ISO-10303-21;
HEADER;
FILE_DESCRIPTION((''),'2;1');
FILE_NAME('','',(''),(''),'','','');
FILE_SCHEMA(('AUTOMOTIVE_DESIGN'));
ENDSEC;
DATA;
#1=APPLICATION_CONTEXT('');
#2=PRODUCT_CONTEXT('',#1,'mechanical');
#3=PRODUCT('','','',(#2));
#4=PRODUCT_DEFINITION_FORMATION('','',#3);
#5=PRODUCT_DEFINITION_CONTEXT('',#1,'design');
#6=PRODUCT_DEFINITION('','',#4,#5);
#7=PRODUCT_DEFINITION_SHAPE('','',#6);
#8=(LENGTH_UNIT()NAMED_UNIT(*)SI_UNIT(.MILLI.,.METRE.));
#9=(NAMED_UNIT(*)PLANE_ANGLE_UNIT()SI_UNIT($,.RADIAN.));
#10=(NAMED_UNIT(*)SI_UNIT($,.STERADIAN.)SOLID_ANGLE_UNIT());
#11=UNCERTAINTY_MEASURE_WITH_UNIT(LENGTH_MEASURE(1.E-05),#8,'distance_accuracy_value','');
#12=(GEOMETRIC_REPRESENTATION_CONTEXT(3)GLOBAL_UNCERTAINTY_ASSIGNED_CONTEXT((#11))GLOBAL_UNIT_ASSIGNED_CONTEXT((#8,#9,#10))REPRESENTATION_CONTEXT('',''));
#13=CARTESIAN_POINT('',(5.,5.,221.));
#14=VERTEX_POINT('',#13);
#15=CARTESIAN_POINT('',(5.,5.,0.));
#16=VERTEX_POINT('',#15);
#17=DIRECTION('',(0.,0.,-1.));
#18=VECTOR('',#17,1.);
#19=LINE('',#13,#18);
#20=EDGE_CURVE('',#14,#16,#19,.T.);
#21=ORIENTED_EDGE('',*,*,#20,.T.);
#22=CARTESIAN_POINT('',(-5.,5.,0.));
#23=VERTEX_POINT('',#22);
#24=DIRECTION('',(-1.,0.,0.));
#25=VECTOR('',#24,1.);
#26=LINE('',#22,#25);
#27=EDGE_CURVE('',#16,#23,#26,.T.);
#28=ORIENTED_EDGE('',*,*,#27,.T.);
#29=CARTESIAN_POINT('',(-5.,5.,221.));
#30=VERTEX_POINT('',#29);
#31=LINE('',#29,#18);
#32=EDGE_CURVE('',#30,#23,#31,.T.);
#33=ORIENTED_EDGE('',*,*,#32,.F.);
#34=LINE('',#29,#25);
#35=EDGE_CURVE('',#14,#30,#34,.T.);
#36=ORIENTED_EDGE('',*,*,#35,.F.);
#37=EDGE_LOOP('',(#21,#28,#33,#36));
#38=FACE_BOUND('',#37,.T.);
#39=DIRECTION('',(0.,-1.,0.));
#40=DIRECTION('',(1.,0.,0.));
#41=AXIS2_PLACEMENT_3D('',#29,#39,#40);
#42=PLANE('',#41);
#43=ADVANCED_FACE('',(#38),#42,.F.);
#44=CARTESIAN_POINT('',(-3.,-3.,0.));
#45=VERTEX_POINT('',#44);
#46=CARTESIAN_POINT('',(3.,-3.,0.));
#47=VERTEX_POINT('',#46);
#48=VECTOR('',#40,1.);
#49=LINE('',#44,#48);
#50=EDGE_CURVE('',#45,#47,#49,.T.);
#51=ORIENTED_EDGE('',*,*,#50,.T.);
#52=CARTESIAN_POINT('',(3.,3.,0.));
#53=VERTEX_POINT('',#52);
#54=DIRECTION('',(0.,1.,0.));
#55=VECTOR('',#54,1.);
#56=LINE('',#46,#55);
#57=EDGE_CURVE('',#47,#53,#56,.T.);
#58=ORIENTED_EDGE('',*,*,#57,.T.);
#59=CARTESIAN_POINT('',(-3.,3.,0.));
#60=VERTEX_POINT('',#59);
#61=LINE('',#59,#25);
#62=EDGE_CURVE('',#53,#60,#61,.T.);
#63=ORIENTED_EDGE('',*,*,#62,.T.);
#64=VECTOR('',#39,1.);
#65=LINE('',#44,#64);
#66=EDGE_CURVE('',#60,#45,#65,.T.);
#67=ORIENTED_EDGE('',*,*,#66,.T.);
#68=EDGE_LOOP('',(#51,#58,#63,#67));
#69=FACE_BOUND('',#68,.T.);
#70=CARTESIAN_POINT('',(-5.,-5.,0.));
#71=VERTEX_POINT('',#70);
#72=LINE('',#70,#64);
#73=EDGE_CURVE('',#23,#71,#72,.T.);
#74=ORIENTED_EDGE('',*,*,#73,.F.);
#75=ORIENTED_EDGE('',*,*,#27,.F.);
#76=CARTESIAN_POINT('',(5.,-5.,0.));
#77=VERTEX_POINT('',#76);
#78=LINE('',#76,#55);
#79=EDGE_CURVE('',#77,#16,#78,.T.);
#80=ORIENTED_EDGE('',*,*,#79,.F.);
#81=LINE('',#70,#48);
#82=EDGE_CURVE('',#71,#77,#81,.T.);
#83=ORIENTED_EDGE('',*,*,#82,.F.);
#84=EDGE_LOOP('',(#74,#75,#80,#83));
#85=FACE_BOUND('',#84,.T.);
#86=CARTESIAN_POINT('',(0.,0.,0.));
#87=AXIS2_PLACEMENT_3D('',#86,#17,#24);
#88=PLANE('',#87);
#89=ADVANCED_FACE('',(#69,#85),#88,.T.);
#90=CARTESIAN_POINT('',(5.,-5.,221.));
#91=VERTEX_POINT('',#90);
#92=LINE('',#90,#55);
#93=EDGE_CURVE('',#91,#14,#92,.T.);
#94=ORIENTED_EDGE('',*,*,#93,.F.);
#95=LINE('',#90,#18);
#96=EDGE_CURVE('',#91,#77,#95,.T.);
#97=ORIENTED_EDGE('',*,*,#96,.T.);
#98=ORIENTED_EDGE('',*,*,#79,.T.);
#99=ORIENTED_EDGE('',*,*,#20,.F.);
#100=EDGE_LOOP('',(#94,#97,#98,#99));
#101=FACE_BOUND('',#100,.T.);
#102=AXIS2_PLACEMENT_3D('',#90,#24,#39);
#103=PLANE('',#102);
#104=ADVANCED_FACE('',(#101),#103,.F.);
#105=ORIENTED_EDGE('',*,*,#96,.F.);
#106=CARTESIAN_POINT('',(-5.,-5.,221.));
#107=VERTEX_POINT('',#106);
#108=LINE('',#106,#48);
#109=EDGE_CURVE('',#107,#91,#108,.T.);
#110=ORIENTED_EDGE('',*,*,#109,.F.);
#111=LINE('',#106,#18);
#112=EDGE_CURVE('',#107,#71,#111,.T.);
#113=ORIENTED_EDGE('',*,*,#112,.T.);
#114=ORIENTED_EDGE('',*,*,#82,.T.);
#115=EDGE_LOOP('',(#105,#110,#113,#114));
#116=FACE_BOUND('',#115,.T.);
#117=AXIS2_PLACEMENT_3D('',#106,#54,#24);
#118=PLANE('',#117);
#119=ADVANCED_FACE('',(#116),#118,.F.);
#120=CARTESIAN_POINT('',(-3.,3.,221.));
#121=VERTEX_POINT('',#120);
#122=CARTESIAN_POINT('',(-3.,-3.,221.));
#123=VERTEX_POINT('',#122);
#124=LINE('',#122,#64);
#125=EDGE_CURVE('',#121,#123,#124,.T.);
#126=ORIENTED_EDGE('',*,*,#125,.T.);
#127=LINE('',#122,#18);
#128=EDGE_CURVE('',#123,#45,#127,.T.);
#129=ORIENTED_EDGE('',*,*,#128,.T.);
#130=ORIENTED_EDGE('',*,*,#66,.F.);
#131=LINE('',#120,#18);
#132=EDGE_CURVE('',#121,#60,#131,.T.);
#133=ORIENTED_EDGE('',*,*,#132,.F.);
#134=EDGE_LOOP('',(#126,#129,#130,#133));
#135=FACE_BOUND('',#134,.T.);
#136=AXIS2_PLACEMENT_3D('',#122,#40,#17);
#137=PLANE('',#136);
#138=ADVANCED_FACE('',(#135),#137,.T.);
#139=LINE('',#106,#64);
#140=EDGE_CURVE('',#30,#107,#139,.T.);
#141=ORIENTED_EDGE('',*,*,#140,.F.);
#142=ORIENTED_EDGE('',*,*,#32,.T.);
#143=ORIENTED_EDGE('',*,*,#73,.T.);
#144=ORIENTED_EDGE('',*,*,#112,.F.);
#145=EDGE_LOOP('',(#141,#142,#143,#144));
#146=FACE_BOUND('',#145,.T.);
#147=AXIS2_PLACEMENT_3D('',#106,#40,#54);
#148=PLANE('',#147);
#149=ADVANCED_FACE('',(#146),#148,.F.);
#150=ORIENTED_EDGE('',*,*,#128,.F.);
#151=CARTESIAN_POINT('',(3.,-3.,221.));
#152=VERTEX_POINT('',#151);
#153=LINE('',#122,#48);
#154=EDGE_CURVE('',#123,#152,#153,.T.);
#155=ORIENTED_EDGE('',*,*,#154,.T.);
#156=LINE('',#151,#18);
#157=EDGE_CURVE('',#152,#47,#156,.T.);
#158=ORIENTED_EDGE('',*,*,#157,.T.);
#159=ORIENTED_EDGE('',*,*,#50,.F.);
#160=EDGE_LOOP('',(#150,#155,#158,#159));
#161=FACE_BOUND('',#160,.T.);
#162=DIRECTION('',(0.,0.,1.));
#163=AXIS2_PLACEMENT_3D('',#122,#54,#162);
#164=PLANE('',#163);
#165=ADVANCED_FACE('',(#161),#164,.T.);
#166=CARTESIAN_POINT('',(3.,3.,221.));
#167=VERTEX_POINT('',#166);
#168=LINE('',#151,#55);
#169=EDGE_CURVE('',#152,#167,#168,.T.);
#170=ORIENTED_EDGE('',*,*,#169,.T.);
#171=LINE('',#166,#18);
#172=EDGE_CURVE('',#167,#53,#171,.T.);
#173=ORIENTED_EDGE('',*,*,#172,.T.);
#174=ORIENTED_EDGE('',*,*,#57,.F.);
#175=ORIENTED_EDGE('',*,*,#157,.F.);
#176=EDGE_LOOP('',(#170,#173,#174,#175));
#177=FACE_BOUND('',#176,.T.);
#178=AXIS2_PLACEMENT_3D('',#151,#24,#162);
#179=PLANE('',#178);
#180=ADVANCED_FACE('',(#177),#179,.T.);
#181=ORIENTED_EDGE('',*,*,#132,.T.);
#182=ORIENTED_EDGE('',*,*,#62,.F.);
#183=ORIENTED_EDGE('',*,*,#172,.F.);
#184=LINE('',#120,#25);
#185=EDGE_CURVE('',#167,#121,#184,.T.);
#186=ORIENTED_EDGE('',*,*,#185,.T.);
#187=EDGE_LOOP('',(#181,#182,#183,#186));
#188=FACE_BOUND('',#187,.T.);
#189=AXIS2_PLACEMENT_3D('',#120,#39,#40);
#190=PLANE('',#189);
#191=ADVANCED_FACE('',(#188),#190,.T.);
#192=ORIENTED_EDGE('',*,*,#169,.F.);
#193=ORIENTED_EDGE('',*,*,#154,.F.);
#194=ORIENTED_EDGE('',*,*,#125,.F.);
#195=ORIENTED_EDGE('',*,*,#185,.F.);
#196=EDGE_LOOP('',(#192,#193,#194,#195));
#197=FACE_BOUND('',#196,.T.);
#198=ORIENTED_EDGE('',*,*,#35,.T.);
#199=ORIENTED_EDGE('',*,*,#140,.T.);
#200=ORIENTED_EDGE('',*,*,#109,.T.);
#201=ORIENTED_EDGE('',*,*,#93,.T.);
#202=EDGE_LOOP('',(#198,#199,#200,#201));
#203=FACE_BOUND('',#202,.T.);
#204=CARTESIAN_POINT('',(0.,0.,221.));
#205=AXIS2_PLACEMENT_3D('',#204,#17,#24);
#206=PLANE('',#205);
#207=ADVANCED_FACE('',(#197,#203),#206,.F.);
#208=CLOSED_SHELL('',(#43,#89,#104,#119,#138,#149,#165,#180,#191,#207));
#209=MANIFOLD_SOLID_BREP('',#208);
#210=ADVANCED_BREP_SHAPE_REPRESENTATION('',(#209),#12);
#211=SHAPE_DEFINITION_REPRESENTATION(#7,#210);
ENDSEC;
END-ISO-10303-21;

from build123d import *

# Parameters (mm, degrees)
SKETCH1_W           = 10
SKETCH1_H           = 10
SKETCH1_W_2         = 6
SKETCH1_H_2         = 6
BOSS_EXTRUDE1_DEPTH = 221


with BuildPart() as part:
    # Sketch1 → Boss-Extrude1 (new body)
    with BuildSketch(Plane.XY):
        Rectangle(SKETCH1_W, SKETCH1_H)
        Rectangle(SKETCH1_W_2, SKETCH1_H_2, mode=Mode.SUBTRACT)
    extrude(amount=BOSS_EXTRUDE1_DEPTH)


solid = part.part
